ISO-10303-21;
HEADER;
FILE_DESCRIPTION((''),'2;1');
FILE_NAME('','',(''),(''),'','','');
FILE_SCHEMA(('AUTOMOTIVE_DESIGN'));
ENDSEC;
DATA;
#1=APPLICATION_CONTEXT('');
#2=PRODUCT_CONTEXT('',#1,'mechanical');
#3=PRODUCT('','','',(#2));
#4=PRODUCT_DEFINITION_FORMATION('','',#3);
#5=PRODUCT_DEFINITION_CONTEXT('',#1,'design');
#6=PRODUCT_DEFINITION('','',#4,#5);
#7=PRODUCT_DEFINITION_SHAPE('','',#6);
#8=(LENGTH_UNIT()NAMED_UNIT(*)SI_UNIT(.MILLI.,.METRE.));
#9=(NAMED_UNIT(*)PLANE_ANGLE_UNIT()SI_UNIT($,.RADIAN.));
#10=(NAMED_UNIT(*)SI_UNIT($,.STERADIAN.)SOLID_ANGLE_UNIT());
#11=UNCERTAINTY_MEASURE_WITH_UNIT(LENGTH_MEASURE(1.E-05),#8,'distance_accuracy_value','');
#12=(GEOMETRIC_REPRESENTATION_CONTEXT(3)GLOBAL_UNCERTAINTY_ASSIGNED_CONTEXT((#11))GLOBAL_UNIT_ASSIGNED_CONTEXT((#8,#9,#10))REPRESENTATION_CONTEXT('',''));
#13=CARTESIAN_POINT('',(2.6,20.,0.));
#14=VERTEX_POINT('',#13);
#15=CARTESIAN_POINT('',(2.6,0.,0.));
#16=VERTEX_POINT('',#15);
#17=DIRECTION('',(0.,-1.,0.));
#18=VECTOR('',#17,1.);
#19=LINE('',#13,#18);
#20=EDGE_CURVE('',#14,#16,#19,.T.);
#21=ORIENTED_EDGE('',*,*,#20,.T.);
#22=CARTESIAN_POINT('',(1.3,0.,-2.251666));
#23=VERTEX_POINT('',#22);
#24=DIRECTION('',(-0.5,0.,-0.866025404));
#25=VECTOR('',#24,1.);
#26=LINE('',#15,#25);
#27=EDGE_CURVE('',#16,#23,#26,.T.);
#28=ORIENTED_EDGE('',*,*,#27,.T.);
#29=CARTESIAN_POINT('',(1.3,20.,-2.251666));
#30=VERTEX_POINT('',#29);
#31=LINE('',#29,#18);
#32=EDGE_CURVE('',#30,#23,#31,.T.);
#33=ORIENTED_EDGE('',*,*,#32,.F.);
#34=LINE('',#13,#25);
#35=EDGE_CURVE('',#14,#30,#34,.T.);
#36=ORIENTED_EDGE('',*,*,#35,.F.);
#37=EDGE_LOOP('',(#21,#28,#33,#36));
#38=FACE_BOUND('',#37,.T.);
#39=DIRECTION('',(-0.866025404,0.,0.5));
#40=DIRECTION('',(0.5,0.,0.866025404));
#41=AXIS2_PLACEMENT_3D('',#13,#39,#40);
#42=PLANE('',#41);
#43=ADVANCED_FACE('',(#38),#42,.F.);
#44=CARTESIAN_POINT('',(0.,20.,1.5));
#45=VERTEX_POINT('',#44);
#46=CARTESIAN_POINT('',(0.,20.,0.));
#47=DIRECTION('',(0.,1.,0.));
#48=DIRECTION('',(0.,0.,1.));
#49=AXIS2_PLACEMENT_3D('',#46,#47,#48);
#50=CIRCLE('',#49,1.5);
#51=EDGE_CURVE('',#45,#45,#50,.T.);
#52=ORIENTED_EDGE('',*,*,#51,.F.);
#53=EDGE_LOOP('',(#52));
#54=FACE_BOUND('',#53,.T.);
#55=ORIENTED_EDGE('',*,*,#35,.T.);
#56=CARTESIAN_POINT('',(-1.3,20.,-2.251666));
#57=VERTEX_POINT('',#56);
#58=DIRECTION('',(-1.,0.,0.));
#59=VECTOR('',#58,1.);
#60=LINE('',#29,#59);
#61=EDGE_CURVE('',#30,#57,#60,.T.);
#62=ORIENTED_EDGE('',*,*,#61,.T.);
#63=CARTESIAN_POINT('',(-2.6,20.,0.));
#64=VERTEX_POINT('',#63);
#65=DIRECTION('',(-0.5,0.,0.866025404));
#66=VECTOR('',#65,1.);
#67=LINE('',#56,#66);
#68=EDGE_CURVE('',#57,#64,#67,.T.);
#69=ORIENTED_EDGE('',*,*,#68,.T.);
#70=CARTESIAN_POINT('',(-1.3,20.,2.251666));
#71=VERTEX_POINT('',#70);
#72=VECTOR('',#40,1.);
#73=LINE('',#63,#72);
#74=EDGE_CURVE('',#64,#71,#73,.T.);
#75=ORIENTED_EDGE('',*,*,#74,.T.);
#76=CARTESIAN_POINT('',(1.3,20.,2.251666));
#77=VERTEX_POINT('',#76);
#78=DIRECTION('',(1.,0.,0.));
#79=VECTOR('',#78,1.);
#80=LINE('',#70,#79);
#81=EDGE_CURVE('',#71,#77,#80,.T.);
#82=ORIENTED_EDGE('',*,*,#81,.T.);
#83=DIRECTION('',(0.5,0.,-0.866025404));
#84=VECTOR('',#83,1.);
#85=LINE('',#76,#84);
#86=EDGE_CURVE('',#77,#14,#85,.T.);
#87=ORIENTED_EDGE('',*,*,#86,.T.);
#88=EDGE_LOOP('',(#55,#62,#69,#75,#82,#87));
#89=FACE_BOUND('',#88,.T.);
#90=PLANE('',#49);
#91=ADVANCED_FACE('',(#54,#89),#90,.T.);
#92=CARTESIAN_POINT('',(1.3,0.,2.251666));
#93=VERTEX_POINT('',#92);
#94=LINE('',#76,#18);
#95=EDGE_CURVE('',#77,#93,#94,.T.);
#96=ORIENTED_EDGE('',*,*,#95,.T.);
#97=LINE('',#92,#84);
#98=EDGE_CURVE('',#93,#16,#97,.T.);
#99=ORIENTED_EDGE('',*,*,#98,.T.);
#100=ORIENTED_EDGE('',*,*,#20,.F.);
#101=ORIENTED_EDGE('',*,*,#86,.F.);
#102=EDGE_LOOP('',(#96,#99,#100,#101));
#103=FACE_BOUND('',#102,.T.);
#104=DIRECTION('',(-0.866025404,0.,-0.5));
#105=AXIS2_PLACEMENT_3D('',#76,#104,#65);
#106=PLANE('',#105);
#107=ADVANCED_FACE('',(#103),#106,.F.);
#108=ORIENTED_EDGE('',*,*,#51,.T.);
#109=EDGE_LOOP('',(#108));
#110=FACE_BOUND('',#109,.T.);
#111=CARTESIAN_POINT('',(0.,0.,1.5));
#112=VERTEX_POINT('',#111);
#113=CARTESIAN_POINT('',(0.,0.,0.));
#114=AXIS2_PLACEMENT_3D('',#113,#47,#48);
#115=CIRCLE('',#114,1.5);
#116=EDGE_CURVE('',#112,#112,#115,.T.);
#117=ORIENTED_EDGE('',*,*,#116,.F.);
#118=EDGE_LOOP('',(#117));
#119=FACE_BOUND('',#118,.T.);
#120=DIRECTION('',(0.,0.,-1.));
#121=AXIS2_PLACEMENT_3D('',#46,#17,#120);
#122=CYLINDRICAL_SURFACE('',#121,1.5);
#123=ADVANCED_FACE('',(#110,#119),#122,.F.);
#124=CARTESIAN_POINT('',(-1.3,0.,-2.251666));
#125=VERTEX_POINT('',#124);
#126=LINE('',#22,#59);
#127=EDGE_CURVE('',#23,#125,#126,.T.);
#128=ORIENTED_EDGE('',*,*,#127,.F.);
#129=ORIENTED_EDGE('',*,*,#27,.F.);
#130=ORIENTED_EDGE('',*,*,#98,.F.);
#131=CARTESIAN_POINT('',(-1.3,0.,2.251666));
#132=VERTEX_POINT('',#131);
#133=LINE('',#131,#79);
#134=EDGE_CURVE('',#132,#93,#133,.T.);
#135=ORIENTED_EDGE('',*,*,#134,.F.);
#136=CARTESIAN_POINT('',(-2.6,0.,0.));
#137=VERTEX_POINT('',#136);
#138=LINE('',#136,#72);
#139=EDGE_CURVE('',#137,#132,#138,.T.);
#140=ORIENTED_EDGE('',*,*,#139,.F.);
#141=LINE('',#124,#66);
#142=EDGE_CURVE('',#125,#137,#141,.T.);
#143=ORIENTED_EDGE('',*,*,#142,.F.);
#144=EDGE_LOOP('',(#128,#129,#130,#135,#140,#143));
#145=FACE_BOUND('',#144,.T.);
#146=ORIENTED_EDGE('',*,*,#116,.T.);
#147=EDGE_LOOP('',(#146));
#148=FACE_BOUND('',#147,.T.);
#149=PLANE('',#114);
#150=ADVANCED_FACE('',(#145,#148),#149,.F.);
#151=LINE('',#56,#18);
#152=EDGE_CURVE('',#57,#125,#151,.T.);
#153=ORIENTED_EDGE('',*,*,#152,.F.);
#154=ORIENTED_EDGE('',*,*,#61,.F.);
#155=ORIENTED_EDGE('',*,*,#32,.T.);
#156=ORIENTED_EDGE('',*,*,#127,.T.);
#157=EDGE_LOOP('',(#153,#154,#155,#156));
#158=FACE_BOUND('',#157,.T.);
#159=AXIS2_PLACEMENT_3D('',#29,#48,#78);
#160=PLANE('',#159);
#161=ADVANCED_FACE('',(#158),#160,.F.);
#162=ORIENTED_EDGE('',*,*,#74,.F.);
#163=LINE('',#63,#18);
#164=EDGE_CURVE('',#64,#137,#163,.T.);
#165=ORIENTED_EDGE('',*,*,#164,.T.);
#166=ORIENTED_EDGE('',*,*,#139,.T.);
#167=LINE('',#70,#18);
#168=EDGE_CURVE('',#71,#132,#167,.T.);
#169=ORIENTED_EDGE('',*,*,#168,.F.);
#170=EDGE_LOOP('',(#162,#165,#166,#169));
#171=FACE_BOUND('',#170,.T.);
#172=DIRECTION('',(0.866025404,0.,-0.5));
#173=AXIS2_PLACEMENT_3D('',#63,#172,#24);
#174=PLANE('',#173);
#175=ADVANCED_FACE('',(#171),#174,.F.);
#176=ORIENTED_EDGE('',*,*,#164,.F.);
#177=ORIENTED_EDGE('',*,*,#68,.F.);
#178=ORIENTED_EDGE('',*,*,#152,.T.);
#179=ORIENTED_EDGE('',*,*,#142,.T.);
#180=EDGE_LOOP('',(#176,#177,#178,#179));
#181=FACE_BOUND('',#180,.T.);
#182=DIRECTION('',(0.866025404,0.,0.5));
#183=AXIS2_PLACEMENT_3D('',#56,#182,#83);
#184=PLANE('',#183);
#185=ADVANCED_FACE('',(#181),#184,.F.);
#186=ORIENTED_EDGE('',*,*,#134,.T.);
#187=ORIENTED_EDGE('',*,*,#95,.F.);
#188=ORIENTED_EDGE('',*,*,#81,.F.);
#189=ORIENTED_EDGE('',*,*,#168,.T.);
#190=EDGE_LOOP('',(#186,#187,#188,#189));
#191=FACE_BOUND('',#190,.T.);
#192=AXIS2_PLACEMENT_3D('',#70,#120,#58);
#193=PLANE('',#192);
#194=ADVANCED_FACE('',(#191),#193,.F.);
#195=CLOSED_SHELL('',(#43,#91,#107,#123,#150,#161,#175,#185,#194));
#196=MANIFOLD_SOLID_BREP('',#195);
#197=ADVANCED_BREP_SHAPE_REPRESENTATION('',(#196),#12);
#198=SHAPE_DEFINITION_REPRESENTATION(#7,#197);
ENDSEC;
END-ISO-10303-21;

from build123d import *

# Parameters (mm, degrees)
SKETCH_1_R      = 1.5
EXTRUDE_1_DEPTH = 20


with BuildPart() as part:
    # 草图1 → 凸台-拉伸1 (new body)
    with BuildSketch(Plane(origin=(0, 0, 0), x_dir=(1, 0, 0), z_dir=(0, 1, 0))):
        Polygon((2.6, 0), (1.3, 2.25166605), (-1.3, 2.25166605), (-2.6, 0), (-1.3, -2.25166605), (1.3, -2.25166605), align=None)
        with Locations(Location((0, 0, 0), (0, 0, 270))):
            Circle(SKETCH_1_R, mode=Mode.SUBTRACT)
    extrude(amount=EXTRUDE_1_DEPTH)


solid = part.part
